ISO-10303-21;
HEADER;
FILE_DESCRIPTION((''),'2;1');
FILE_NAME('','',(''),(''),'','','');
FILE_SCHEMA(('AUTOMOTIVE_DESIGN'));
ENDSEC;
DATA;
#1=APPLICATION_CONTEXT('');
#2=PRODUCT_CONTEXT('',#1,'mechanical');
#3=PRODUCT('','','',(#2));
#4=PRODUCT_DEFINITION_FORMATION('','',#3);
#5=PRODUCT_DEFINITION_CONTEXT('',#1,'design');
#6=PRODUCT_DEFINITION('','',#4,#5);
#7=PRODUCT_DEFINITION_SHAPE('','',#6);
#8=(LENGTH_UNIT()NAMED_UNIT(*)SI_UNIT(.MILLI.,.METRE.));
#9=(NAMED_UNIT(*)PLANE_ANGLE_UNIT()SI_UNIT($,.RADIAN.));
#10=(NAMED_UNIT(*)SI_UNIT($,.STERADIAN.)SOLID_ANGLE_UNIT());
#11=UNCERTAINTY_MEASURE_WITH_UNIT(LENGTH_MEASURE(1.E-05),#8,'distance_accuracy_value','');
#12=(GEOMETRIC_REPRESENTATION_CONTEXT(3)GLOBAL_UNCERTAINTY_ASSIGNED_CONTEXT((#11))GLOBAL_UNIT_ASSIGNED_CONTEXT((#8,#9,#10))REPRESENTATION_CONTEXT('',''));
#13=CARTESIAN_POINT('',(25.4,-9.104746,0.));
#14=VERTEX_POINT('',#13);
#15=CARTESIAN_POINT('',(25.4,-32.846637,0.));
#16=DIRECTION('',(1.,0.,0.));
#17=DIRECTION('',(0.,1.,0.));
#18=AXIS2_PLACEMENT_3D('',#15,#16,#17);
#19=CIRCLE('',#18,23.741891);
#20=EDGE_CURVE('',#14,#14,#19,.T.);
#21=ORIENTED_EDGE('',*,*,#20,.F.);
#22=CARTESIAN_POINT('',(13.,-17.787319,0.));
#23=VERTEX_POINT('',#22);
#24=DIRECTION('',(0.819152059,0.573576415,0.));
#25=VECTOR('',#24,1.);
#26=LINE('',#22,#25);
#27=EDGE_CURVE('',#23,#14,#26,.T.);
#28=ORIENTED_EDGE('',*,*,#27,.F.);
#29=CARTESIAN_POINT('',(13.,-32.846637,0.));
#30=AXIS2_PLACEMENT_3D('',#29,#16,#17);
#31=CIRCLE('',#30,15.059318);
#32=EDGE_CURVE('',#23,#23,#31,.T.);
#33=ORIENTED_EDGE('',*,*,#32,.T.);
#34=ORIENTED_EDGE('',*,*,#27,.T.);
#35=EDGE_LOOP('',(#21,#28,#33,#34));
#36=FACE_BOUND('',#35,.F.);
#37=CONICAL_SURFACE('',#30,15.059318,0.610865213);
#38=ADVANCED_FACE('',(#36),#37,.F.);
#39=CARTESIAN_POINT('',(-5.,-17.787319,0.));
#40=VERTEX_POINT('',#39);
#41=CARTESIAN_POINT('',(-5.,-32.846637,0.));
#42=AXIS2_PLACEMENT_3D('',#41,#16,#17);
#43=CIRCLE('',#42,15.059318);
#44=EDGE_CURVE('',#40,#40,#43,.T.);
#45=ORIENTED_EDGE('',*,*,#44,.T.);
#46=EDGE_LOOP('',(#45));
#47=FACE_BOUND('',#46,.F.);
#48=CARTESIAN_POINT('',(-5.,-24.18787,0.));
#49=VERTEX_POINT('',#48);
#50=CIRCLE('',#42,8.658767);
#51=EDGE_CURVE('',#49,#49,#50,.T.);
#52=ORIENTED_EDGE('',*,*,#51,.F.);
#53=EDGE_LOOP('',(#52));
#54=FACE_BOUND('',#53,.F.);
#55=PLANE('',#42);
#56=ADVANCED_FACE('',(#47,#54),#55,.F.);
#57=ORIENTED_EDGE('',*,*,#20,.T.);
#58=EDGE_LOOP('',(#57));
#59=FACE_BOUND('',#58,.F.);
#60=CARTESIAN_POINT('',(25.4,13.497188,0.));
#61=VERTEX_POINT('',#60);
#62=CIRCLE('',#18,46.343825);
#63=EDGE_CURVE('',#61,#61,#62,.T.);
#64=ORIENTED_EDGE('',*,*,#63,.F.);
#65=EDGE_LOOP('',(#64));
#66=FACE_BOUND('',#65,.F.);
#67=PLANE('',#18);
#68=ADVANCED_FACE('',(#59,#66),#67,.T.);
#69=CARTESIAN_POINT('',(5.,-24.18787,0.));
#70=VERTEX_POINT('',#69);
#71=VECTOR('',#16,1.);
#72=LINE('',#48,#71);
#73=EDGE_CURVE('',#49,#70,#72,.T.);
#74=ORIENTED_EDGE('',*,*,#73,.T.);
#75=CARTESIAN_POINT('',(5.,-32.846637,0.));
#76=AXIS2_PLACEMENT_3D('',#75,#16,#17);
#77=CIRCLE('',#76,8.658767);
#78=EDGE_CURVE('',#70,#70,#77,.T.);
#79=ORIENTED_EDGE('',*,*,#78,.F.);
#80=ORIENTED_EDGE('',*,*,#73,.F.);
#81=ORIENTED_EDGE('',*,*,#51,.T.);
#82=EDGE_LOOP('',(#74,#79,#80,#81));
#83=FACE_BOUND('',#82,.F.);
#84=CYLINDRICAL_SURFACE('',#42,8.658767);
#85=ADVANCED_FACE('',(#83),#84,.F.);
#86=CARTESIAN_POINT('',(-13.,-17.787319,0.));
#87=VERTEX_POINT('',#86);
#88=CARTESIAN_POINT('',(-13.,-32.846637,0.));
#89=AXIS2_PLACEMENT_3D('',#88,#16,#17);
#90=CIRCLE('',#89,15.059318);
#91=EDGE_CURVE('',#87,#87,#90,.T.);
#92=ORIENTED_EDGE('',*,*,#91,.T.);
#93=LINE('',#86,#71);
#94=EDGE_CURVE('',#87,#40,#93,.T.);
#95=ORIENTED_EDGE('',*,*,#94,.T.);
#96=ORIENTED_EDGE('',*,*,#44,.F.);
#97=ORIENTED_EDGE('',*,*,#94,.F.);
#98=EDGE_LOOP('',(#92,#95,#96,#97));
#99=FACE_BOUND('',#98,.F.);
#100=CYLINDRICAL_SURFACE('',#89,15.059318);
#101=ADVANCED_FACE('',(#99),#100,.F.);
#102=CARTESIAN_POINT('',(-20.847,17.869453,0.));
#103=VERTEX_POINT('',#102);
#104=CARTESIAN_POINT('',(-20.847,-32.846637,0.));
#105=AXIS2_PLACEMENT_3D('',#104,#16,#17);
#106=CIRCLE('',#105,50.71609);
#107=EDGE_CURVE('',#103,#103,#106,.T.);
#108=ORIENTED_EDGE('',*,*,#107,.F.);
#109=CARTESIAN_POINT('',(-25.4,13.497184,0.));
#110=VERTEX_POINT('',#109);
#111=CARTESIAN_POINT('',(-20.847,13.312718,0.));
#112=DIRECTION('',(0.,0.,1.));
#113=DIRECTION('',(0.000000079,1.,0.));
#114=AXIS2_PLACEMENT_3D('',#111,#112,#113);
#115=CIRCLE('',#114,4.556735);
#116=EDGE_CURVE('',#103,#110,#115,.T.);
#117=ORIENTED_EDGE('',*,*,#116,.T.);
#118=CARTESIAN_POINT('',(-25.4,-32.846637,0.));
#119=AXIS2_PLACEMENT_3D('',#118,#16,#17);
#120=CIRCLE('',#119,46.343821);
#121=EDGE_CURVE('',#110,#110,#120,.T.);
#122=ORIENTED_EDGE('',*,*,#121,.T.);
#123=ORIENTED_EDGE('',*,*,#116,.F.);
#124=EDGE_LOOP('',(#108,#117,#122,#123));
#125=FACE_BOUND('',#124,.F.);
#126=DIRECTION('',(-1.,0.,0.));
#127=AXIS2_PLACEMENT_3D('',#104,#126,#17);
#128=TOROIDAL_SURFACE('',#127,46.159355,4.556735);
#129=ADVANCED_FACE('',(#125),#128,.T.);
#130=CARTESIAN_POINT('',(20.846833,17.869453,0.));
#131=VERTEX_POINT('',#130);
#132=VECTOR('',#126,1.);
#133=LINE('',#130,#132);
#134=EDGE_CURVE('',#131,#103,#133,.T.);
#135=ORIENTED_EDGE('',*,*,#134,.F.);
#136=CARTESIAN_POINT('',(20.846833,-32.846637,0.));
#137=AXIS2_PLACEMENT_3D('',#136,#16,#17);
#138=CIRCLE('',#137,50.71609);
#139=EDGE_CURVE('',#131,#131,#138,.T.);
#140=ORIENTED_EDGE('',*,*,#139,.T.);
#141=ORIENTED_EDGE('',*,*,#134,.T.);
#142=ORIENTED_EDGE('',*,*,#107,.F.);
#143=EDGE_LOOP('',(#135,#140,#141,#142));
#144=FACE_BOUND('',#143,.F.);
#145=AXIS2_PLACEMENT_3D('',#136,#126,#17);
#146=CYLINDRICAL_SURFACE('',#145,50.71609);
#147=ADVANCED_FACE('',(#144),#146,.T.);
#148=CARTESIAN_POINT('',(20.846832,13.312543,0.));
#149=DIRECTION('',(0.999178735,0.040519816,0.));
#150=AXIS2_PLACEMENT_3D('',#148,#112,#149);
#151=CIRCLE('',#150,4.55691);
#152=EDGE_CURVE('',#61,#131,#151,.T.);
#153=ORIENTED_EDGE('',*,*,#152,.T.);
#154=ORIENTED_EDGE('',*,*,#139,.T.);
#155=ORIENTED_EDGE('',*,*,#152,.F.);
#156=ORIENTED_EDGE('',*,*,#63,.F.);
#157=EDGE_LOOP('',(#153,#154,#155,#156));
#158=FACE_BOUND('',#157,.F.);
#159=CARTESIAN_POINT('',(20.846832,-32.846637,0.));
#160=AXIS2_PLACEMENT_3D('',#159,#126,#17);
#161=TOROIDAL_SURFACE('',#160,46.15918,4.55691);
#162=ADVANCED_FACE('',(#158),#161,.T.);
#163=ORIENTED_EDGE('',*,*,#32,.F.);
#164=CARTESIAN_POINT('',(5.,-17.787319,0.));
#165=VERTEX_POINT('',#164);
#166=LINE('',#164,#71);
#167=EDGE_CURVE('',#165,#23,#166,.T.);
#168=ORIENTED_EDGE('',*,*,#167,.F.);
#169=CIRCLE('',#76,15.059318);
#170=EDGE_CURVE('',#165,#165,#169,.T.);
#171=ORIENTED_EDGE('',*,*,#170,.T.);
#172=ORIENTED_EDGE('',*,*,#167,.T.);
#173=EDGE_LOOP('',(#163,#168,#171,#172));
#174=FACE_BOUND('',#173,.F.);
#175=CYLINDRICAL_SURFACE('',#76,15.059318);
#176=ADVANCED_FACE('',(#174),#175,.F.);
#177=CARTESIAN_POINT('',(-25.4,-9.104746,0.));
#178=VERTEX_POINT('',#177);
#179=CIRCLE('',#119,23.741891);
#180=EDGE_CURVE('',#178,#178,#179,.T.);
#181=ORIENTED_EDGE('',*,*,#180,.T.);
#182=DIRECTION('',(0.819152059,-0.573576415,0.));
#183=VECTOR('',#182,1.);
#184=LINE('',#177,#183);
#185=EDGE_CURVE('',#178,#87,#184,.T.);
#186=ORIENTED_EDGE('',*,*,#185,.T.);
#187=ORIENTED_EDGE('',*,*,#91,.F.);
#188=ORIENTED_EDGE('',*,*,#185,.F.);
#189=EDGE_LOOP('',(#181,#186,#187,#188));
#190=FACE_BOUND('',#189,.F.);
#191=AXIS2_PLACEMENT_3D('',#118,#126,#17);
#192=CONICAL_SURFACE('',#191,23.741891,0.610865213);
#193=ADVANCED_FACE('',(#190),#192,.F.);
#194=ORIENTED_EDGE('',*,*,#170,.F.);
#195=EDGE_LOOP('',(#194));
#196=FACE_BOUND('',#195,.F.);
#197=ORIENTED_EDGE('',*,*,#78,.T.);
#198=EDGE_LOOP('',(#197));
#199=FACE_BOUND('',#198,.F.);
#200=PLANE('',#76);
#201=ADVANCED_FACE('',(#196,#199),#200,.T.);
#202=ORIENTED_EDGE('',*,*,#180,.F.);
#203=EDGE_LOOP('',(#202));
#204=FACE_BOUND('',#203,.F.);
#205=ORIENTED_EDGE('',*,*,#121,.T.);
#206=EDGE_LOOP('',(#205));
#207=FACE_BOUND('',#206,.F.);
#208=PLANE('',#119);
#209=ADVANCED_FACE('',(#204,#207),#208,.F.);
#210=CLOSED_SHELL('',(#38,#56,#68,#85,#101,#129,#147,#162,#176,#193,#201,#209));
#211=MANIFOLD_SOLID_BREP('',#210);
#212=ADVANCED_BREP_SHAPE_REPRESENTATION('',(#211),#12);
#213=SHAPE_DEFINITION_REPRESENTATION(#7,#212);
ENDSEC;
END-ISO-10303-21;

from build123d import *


with BuildPart() as f1:
    # F0 (on Top) → F1 (revolve)
    with BuildSketch(Plane.XY):
        with BuildLine():
            Line((5, -24.18787), (5, -20.135133))
            Line((5, -20.135133), (5, -17.787319))
            Line((5, -17.787319), (13, -17.787319))
            Line((13, -17.787319), (25.4, -9.104746))
            Line((25.4, -9.104746), (25.4, 13.497188))
            ThreePointArc((25.4, 13.497188), (24.003098, 16.599398), (20.846833, 17.869453))
            Line((20.846833, 17.869453), (0, 17.869453))
            Line((0, 17.869453), (-20.847, 17.869453))
            ThreePointArc((-20.847, 17.869453), (-24.003206, 16.599388), (-25.4, 13.497184))
            Line((-25.4, 13.497184), (-25.4, -9.104746))
            Line((-25.4, -9.104746), (-13, -17.787319))
            Line((-13, -17.787319), (-5, -17.787319))
            Line((-5, -17.787319), (-5, -20.135133))
            Line((-5, -20.135133), (-5, -24.18787))
            Line((-5, -24.18787), (5, -24.18787))
        make_face()
    revolve(axis=Axis((1.997764, -32.846637, 0), (1, 0, 0)))

    # F2: F1 across plane


with BuildPart() as f1_1:
    add(f1.part)
    add(f1.part.mirror(Plane.XY))


solid = f1_1.part
